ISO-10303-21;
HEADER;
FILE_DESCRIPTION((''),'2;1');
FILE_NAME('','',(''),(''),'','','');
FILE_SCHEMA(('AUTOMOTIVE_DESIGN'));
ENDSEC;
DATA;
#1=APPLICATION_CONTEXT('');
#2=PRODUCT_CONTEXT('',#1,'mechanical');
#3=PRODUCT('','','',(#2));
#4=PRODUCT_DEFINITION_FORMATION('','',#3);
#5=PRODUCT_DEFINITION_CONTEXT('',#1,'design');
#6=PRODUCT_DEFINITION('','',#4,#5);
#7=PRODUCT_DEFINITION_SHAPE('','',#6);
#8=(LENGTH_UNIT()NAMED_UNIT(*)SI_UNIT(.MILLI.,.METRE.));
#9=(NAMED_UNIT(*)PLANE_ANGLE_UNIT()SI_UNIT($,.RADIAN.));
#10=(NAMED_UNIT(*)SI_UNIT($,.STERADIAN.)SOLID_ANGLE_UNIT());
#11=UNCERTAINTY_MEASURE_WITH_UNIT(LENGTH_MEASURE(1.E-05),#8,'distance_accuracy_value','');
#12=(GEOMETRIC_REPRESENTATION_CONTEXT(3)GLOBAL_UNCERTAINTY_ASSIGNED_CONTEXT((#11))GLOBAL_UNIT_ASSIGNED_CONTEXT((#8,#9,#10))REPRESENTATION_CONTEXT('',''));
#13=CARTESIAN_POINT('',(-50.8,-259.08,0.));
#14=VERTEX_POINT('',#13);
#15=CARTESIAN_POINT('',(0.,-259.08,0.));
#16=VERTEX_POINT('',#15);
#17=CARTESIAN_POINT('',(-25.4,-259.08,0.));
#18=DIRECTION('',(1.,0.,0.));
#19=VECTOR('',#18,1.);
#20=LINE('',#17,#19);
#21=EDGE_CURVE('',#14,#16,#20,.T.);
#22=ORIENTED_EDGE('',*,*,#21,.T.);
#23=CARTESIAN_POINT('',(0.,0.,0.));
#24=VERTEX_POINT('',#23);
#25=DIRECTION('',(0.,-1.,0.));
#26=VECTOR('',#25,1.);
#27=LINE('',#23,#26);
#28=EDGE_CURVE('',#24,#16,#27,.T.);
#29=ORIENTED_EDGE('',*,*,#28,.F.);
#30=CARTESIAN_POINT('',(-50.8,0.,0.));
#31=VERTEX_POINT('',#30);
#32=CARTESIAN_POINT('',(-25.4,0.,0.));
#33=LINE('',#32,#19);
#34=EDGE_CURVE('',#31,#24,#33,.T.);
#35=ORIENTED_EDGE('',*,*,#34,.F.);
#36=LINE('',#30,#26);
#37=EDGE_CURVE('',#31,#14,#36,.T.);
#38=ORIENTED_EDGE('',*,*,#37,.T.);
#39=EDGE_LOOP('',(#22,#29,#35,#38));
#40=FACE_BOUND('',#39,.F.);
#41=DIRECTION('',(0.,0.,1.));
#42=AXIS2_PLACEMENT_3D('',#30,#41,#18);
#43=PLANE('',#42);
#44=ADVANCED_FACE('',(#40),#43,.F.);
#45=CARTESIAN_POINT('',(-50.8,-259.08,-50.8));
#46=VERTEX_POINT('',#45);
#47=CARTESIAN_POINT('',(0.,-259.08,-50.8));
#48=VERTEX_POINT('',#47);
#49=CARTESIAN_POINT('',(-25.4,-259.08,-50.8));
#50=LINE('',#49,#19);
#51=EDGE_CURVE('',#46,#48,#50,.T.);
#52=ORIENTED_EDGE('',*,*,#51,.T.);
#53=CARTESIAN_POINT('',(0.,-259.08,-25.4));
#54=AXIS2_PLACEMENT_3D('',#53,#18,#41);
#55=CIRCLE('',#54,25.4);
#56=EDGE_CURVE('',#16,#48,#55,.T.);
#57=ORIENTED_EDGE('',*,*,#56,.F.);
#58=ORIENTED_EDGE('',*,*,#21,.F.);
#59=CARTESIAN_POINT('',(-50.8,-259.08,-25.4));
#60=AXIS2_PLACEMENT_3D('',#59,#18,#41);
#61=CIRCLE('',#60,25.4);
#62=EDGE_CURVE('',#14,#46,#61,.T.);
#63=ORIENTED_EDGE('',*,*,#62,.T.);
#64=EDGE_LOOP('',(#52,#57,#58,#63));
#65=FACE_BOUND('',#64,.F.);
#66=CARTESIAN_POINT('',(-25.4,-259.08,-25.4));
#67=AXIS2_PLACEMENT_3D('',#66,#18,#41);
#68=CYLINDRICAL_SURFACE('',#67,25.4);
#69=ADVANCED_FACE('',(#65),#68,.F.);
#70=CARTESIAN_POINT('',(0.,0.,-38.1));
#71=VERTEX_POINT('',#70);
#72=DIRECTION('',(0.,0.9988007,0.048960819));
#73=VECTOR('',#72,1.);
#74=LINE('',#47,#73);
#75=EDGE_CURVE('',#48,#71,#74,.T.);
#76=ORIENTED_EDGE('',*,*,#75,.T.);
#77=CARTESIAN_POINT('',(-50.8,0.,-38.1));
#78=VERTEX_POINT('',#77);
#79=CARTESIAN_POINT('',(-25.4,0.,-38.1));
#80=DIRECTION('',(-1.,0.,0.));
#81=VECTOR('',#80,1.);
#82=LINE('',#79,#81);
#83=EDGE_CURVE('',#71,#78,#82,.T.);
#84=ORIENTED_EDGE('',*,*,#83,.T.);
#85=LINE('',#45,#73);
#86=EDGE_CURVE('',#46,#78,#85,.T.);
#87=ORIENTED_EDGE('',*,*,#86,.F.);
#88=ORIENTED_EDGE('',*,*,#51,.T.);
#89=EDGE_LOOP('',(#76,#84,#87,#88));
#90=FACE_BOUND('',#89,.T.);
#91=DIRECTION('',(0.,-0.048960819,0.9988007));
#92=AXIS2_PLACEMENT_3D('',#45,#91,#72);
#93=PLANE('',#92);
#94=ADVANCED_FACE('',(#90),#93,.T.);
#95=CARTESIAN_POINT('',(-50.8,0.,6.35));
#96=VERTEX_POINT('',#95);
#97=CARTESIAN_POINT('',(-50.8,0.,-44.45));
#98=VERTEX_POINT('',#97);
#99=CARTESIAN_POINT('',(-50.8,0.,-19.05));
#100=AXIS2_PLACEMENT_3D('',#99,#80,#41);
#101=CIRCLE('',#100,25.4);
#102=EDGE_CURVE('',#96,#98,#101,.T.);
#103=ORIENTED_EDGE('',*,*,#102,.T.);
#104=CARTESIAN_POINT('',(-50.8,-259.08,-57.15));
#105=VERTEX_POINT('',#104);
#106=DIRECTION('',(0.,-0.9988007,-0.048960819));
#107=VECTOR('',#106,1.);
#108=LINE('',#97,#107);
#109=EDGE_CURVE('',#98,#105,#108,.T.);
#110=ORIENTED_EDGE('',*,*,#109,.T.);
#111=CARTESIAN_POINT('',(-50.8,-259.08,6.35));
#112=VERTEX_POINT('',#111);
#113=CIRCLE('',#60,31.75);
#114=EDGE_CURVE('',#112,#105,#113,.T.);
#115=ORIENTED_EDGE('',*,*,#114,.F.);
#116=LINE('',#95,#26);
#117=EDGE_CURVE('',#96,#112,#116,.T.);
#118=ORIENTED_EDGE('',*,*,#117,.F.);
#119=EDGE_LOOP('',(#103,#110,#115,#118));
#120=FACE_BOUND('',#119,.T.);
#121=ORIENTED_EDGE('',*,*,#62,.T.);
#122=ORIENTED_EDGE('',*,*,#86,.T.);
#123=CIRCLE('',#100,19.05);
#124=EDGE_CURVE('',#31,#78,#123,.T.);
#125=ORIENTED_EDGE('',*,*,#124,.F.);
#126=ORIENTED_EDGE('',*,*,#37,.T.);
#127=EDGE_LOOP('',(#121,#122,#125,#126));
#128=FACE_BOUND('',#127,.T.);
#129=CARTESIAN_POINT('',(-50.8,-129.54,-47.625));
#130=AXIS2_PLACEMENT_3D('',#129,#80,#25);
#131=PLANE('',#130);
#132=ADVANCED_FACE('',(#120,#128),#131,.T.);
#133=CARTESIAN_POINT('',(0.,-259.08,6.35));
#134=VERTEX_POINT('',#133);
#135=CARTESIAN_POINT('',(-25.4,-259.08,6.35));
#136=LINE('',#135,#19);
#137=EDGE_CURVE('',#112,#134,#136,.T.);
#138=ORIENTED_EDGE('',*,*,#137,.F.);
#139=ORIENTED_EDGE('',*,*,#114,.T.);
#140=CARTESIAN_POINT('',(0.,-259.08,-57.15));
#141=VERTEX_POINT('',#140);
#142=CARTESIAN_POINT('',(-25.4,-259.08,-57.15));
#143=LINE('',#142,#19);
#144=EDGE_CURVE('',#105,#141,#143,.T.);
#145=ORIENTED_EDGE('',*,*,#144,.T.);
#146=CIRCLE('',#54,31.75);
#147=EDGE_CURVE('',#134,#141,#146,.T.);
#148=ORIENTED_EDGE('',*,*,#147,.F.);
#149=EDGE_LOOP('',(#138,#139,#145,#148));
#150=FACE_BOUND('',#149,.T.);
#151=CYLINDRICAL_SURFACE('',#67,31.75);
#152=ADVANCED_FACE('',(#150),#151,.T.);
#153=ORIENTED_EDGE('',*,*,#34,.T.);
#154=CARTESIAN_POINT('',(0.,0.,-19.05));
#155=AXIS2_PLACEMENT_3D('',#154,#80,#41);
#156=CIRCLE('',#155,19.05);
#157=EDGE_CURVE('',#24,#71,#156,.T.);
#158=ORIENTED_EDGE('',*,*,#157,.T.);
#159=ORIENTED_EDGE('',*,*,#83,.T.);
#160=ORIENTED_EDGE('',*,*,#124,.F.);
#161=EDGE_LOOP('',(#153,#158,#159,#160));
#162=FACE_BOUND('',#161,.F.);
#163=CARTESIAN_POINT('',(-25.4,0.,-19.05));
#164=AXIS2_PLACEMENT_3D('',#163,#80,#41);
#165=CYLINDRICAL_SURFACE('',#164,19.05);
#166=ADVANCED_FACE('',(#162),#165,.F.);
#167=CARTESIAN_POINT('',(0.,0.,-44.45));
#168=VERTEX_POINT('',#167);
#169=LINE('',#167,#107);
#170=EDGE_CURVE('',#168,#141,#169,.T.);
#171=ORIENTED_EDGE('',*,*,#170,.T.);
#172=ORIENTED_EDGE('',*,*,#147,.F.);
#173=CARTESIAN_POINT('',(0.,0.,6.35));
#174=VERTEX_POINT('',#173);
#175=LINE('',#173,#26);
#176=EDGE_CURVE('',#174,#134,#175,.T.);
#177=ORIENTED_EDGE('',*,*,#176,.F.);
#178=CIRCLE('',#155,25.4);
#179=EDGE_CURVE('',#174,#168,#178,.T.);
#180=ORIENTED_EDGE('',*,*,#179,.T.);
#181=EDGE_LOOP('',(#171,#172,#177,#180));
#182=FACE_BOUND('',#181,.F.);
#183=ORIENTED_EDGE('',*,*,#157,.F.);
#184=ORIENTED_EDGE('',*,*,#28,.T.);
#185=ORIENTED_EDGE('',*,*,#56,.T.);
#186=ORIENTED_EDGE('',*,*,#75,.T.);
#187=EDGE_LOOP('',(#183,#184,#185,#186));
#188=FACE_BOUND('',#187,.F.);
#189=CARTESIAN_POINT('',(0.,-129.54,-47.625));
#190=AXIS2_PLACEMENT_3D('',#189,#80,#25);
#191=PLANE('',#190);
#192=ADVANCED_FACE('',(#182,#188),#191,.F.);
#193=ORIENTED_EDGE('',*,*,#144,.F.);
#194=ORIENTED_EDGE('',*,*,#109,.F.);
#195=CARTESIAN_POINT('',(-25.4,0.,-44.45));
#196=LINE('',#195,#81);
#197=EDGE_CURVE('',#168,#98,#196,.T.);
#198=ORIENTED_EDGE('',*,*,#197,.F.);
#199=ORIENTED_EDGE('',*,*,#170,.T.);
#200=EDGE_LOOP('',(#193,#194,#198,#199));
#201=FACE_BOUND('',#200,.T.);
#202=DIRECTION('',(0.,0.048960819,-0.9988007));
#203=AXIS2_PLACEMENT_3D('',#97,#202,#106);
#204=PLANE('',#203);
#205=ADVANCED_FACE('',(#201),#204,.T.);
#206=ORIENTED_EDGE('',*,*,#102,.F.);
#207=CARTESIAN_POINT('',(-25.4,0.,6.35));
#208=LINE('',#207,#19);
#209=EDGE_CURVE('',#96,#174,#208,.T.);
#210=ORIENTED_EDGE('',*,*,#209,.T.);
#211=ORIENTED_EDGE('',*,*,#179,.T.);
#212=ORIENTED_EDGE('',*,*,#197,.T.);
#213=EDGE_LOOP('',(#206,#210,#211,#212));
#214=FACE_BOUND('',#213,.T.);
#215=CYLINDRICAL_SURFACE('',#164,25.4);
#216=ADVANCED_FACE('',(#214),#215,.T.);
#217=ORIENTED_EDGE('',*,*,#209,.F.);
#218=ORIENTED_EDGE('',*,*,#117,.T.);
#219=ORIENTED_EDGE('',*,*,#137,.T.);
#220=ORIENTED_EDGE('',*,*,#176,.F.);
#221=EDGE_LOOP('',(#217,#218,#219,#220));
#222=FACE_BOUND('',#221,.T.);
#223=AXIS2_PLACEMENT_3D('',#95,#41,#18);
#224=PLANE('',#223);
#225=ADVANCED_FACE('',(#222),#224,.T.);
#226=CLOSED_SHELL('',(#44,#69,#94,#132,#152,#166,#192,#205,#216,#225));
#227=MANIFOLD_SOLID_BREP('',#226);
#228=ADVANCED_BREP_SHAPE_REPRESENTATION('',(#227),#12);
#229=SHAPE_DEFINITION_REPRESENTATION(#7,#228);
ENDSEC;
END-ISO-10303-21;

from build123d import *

# Parameters (mm, degrees)
F0_W     = 50.8
F0_H     = 6.35
F1_DEPTH = 259.08
F2_W     = 50.8
F2_H     = 6.35
F3_ANGLE = -180
F4_W     = 50.8
F4_H     = 6.35
F5_ANGLE = 180
F7_DEPTH = 50.8


with BuildPart() as f1:
    # F0 (on Front) → F1 (new body)
    with BuildSketch(Plane.XZ):
        with Locations((-25.4, 3.175)):
            Rectangle(F0_W, F0_H)
    extrude(amount=F1_DEPTH)

    # F2 (on face) → F3 (revolve)
    with BuildSketch(Plane.XZ.offset(259.08)):
        with Locations((-25.4, 3.175)):
            Rectangle(F2_W, F2_H)
    revolve(axis=Axis((-25.4, -259.08, -25.4), (-1, 0, 0)), revolution_arc=F3_ANGLE)

    # F4 (on face) → F5 (revolve)
    with BuildSketch(Plane(origin=(0, 0, 0), x_dir=(-1, 0, 0), z_dir=(0, 1, 0))):
        with Locations((25.4, 3.175)):
            Rectangle(F4_W, F4_H)
    revolve(axis=Axis((-31.75, 0, -19.05), (-1, 0, 0)), revolution_arc=F5_ANGLE)

    # F6 (on face) → F7 (join)
    with BuildSketch(Plane(origin=(-50.8, 0, 0), x_dir=(0, -1, 0), z_dir=(-1, 0, 0))):
        Polygon((259.08, -50.8), (0, -38.1), (0, -44.45), (259.08, -57.15), align=None)
    extrude(amount=-F7_DEPTH)


solid = f1.part
